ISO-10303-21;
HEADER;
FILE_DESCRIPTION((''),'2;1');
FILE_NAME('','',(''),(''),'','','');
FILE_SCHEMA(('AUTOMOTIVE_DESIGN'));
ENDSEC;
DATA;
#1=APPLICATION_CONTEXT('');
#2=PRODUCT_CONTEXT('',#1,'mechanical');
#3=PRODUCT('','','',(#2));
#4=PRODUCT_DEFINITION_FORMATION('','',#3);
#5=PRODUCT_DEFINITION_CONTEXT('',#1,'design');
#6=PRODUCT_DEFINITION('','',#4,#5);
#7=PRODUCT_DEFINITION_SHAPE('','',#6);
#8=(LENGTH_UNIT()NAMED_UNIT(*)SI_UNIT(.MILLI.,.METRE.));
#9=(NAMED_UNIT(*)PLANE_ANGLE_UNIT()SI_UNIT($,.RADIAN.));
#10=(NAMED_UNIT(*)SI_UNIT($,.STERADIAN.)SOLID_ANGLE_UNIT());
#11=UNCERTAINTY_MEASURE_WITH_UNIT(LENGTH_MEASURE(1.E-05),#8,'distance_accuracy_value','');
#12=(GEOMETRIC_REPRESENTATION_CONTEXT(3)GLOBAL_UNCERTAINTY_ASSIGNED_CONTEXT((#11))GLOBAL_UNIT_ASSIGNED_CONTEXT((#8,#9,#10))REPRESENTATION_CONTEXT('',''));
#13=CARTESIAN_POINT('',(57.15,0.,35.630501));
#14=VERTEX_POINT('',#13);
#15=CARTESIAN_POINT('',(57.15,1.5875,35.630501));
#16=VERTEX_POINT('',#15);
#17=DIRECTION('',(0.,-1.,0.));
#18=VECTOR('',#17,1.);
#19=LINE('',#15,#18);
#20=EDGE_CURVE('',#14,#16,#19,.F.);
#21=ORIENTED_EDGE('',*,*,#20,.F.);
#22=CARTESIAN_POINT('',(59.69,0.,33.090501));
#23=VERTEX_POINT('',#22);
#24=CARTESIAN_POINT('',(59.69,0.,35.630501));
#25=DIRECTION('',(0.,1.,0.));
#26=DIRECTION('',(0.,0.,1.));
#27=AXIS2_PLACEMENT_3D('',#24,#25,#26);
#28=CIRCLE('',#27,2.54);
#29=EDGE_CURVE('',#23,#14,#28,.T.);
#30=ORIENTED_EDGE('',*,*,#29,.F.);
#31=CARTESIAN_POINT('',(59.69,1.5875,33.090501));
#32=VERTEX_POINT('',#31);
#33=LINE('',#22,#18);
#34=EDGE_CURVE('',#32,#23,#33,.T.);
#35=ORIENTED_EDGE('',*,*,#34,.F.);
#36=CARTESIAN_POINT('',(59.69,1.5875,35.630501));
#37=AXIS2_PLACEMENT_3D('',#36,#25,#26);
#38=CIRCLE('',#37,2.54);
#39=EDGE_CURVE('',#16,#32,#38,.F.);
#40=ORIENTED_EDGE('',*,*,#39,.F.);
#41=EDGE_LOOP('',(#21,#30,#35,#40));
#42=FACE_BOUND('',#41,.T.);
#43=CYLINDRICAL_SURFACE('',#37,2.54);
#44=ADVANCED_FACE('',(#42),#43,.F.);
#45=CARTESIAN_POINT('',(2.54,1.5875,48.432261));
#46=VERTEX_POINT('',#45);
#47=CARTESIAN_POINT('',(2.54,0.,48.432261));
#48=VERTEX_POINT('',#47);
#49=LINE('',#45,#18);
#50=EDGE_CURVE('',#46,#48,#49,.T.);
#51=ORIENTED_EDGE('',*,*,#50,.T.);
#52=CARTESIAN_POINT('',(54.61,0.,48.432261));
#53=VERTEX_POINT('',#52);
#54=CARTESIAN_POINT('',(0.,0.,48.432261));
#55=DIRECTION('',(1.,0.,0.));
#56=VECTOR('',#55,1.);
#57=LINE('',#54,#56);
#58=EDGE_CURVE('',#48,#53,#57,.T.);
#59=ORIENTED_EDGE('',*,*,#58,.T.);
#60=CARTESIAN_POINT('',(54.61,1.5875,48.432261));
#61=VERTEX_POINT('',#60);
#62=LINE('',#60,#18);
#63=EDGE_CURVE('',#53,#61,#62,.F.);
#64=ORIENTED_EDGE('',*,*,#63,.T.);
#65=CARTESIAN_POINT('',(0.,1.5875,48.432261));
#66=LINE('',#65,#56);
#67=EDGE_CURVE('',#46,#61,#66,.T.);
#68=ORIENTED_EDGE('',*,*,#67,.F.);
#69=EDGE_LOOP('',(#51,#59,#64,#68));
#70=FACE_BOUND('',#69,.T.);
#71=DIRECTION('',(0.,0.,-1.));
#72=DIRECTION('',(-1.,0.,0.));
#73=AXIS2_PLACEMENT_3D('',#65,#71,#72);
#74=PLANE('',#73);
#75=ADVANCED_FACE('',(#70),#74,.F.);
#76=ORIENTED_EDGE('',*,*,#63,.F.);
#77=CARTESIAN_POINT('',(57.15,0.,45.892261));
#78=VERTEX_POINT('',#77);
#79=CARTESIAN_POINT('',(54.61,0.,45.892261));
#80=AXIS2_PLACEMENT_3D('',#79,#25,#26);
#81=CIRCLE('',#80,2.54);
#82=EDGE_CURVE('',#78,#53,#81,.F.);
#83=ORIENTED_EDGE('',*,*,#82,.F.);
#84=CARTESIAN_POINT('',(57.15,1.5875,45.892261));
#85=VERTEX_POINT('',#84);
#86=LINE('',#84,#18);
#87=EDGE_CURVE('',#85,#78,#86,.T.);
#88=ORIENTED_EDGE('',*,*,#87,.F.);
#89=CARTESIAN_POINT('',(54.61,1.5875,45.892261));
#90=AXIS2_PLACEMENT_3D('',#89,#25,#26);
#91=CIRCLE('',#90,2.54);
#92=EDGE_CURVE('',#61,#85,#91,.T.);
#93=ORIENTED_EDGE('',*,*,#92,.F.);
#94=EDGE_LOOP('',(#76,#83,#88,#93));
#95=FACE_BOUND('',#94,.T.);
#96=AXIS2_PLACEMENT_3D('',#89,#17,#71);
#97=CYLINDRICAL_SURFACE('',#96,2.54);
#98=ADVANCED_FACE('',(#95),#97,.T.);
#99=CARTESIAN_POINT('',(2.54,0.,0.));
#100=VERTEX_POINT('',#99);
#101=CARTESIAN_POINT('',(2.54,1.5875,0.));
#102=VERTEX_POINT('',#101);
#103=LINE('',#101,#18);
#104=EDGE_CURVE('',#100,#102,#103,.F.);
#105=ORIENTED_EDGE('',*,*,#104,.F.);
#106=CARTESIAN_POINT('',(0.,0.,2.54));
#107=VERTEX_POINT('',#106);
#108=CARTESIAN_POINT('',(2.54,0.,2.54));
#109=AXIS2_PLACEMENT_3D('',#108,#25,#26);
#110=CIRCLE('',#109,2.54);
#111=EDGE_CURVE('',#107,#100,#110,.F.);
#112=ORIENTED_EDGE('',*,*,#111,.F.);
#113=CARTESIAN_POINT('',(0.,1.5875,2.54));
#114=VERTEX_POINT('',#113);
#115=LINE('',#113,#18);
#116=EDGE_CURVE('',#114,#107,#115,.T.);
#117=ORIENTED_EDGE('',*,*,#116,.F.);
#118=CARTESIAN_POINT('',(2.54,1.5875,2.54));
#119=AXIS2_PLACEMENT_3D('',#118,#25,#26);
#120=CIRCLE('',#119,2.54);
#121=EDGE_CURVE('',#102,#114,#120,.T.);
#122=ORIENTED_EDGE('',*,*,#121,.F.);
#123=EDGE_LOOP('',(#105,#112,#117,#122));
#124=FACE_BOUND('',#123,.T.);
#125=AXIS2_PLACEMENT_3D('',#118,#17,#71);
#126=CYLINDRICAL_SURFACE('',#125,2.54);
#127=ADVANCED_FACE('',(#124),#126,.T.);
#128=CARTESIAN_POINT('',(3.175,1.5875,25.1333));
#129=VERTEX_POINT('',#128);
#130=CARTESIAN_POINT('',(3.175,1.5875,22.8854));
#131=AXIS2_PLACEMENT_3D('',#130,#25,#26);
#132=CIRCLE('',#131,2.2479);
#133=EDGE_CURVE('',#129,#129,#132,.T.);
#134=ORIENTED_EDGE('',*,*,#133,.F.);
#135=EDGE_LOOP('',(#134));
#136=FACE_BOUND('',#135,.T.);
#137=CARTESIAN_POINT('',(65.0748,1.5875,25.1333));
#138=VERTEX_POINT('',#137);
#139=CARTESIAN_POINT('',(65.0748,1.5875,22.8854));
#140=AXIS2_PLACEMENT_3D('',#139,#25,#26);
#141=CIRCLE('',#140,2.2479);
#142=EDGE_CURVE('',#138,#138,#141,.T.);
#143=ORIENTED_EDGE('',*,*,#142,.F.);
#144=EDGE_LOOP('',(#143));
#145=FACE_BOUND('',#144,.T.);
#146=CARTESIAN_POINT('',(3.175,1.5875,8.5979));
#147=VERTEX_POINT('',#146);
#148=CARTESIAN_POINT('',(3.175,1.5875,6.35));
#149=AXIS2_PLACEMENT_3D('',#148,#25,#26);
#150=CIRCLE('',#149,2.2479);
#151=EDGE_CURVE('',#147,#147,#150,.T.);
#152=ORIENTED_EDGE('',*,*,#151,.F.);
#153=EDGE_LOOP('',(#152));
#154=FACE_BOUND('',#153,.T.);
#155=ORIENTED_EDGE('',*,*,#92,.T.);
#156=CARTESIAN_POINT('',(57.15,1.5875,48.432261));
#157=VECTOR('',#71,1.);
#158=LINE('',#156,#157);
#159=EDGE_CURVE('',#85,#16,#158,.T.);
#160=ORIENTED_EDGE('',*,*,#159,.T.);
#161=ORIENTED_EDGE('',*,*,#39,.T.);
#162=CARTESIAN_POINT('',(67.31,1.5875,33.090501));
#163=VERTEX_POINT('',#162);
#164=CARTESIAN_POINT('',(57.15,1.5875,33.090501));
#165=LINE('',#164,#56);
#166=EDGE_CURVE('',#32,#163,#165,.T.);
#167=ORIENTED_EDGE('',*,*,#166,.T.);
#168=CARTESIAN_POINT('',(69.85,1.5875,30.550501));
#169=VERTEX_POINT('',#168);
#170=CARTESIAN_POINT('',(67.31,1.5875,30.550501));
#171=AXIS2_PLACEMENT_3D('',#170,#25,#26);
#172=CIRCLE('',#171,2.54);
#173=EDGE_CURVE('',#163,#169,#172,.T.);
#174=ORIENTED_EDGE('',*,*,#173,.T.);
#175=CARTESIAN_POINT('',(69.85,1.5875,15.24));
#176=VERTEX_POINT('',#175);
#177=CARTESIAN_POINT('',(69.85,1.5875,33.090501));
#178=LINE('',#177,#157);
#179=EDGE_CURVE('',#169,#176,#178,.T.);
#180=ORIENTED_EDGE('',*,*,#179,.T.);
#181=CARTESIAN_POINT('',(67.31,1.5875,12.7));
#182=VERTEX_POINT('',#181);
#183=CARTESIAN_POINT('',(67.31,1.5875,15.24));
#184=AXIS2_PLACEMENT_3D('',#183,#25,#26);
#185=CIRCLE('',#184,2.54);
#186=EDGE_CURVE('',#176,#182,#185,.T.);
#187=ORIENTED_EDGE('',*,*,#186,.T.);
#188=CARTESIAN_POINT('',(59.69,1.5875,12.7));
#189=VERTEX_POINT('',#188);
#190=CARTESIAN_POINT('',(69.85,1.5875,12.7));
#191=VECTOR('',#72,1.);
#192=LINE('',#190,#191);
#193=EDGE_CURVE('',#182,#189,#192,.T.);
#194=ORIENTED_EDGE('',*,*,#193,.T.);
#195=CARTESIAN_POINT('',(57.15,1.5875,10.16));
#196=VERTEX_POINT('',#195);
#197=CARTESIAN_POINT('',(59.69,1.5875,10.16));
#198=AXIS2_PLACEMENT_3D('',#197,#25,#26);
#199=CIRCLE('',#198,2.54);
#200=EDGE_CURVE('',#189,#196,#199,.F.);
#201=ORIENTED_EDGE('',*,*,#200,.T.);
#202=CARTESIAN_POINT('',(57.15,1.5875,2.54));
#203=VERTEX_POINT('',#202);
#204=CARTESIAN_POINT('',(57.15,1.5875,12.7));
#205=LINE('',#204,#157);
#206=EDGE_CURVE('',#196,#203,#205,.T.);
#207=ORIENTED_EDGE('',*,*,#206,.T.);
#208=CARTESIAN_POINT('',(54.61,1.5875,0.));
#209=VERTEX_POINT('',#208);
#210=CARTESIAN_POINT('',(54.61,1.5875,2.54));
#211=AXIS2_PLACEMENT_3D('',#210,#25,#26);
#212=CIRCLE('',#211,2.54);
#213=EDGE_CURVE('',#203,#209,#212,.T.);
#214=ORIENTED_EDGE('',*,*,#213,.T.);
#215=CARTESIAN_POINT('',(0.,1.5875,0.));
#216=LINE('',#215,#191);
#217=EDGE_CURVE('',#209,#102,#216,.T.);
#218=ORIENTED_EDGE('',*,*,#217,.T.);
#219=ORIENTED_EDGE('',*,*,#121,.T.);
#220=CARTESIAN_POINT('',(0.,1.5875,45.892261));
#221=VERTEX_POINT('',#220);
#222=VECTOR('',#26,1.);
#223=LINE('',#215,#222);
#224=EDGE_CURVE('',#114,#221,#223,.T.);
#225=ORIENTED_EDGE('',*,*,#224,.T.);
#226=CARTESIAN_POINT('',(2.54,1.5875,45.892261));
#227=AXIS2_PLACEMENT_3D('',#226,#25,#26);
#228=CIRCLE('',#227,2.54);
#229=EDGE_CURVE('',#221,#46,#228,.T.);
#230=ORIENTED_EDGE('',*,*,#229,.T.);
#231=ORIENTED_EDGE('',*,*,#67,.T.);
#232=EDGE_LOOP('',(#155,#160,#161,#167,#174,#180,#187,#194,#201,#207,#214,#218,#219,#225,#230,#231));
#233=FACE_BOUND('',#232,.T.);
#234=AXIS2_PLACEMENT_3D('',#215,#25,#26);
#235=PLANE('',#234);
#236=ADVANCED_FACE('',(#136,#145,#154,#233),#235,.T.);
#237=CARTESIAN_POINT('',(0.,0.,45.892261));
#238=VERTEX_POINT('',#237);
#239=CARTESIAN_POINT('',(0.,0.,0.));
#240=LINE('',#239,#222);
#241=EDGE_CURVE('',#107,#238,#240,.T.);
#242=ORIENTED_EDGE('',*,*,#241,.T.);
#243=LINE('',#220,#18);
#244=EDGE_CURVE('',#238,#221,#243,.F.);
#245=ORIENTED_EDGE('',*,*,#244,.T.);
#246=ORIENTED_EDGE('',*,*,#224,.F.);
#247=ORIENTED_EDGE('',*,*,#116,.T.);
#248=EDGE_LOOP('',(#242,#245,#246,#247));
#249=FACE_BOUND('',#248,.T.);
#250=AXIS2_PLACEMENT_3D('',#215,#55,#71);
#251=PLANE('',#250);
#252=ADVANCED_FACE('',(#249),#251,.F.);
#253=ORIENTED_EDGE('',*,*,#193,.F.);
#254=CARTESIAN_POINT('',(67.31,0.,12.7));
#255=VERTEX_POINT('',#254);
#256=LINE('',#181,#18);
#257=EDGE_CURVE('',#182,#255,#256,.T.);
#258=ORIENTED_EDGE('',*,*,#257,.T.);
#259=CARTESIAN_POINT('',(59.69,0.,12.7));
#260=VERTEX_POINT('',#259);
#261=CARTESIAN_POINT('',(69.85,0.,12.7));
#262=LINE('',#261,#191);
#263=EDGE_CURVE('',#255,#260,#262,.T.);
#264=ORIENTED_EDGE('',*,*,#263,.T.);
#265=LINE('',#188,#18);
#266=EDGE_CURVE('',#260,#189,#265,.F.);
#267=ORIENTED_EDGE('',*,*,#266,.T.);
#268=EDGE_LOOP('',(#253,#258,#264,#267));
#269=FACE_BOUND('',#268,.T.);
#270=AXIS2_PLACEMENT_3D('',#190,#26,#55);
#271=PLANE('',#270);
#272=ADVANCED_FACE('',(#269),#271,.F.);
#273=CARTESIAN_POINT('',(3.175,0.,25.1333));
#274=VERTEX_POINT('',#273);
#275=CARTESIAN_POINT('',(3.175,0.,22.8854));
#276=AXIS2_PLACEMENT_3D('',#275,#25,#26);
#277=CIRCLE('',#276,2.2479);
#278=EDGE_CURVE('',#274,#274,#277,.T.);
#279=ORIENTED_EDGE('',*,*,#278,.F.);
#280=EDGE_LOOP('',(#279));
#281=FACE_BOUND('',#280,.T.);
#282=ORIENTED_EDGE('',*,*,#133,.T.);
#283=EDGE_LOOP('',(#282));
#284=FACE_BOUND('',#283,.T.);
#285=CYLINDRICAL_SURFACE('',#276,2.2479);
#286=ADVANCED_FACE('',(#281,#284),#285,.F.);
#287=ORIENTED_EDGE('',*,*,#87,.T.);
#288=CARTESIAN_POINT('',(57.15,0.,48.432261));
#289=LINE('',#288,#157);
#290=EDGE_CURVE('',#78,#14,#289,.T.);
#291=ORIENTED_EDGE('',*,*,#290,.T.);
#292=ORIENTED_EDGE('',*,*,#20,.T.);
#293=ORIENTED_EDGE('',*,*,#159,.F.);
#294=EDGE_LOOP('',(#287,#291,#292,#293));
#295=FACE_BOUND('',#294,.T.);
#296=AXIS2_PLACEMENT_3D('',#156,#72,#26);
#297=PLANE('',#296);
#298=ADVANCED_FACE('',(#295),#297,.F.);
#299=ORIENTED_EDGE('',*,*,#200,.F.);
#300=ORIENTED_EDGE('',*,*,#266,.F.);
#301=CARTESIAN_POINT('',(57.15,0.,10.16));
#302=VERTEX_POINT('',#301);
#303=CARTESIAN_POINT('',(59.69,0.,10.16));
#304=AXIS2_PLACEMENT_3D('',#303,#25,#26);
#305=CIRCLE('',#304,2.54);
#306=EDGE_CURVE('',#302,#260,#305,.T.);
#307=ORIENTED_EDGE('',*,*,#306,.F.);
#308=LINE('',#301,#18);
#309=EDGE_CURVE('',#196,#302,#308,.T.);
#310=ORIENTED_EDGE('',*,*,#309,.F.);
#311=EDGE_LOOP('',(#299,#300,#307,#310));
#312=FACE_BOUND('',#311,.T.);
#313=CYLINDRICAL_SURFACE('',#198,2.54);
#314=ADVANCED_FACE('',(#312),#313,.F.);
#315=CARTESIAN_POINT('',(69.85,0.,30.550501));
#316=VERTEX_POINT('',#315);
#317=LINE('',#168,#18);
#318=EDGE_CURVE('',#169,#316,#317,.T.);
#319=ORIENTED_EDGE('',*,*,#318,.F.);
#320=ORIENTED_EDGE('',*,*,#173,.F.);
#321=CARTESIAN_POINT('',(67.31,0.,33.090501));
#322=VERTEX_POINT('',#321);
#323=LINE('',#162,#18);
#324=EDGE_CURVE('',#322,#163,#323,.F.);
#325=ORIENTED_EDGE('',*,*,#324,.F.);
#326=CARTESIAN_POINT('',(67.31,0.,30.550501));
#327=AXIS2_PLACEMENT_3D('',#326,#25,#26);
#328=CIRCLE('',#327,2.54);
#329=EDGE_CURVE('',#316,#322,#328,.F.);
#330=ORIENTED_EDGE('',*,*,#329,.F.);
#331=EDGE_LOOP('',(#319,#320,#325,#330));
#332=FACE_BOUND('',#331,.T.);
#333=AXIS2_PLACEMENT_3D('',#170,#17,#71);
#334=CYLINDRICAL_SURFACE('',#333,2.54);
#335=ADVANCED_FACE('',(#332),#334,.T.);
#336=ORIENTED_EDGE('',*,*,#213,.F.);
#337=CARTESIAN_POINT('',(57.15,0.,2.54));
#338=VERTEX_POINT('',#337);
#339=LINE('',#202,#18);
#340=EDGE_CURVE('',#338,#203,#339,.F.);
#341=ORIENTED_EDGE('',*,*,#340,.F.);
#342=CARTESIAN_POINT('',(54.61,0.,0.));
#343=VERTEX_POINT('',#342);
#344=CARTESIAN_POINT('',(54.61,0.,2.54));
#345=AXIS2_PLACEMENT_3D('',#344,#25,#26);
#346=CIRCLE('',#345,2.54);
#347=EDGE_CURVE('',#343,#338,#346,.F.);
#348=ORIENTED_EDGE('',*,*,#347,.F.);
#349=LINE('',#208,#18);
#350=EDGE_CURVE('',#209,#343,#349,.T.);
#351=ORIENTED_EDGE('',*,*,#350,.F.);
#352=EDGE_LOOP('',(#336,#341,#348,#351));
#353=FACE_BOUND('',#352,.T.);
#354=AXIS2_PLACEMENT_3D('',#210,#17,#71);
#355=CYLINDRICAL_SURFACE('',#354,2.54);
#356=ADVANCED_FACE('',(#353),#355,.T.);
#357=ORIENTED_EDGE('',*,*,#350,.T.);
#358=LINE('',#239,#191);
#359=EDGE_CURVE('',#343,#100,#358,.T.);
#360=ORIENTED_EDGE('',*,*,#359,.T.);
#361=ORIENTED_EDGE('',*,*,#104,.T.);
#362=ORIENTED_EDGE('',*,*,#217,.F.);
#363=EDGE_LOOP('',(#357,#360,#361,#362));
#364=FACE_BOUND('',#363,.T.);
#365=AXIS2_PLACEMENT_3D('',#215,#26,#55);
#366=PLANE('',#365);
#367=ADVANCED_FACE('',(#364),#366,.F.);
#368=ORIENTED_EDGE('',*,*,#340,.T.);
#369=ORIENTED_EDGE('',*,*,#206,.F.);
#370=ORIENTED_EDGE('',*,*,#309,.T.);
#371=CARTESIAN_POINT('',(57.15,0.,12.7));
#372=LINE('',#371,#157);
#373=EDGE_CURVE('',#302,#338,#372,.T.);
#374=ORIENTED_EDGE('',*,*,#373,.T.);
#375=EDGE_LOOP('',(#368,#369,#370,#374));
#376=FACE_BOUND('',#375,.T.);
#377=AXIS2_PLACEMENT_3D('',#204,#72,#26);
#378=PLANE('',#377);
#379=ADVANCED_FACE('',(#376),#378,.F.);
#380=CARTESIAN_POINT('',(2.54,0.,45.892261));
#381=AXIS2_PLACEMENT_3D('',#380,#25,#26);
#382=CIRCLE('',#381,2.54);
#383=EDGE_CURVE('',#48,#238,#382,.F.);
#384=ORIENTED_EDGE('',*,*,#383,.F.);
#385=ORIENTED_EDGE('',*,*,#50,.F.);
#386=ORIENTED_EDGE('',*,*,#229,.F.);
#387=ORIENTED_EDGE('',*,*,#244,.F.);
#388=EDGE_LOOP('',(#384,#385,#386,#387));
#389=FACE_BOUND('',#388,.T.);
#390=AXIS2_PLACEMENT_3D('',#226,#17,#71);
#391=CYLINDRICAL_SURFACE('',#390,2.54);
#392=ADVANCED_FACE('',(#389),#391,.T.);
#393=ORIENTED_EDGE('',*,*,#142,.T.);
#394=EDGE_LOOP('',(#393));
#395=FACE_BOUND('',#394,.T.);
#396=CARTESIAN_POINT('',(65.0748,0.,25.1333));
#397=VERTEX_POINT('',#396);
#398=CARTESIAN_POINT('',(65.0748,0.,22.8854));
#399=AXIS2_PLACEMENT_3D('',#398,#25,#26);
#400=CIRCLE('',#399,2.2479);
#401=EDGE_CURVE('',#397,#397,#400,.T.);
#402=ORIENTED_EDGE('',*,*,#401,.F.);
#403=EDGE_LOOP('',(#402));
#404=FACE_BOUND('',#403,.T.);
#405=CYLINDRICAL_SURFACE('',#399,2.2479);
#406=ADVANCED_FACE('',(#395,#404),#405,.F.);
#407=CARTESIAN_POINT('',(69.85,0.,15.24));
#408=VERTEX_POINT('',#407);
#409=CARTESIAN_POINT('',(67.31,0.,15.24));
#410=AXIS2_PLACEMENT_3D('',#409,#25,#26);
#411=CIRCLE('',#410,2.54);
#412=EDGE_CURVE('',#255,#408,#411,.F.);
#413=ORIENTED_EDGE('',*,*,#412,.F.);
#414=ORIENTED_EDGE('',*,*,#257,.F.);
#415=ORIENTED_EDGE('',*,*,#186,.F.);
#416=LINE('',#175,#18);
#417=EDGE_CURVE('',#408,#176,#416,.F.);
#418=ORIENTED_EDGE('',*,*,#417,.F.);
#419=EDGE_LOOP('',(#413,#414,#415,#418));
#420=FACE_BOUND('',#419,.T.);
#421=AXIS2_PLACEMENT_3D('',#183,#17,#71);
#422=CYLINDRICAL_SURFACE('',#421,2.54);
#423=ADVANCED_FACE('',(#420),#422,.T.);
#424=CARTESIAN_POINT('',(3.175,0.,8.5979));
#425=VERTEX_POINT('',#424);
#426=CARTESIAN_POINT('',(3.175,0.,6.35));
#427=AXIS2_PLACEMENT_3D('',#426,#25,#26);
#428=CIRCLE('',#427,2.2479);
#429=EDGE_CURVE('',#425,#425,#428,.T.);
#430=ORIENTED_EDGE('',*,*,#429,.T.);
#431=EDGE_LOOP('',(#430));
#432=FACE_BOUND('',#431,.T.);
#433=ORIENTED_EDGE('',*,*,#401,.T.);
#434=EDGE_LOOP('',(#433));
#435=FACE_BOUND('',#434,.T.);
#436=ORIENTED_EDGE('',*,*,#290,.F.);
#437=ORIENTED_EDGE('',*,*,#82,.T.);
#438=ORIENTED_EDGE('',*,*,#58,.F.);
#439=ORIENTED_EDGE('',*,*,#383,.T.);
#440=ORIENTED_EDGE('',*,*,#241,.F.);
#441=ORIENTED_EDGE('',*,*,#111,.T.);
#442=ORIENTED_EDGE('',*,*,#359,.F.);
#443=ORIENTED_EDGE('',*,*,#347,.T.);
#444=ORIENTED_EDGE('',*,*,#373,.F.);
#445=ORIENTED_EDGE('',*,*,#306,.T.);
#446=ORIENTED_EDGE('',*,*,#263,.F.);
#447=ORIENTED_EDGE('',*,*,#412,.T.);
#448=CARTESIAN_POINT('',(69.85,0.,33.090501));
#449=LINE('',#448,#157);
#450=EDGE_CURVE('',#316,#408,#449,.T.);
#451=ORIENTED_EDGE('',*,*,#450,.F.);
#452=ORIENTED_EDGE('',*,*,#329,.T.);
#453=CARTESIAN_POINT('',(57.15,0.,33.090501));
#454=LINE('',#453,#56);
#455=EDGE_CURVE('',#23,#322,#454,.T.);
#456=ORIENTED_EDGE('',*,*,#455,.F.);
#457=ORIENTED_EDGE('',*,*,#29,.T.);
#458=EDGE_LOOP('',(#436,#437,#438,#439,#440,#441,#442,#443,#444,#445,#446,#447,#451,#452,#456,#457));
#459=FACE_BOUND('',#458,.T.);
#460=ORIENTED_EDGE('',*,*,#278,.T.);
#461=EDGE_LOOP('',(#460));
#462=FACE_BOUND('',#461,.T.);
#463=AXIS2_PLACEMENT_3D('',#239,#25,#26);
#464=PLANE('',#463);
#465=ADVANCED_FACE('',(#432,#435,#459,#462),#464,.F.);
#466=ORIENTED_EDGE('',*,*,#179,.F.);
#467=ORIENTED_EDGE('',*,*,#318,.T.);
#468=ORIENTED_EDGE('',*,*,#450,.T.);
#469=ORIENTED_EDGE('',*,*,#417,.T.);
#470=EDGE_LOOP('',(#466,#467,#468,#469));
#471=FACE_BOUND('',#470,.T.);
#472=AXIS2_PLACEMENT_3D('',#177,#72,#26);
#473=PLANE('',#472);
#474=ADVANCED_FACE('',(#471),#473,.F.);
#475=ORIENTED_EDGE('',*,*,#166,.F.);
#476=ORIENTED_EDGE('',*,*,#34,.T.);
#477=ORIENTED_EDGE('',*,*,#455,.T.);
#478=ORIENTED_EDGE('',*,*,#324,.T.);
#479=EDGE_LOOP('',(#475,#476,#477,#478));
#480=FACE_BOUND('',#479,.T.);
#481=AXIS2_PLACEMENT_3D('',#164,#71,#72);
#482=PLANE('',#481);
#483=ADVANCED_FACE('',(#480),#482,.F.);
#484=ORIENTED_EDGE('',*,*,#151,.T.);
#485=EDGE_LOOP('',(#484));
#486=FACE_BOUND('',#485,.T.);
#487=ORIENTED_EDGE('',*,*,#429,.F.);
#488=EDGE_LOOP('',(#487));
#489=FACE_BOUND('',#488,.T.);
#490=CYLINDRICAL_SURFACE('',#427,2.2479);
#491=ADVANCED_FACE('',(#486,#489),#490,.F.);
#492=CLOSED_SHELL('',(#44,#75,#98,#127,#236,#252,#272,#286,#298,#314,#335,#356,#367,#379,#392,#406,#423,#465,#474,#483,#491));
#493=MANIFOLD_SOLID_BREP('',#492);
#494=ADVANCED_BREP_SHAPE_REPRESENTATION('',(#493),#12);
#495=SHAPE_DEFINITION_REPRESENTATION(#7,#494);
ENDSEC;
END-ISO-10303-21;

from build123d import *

# Parameters (mm, degrees)
BOSS_EXTRUDE1_DEPTH = 1.5875
FILLET1_R           = 2.54
SKETCH2_R           = 2.2479
CUT_EXTRUDE1_DEPTH  = 2.5875


with BuildPart() as part:
    # Sketch1 → Boss-Extrude1 (new body)
    with BuildSketch(Plane(origin=(0, 0, 0), x_dir=(1, 0, 0), z_dir=(0, 1, 0))):
        Polygon((0, 0), (0, -48.432260883), (57.15, -48.432260883), (57.15, -33.090501198), (69.85, -33.090501198), (69.85, -12.7), (57.15, -12.7), (57.15, 0), align=None)
    extrude(amount=BOSS_EXTRUDE1_DEPTH)

    # Fillet1
    fillet1_edges = [part.edges().sort_by_distance(p)[0] for p in [
        (57.15, 0.79375, 0),
        (57.15, 0.79375, 12.7),
        (69.85, 0.79375, 12.7),
        (69.85, 0.79375, 33.090501198),
        (57.15, 0.79375, 33.090501198),
        (57.15, 0.79375, 48.432260883),
        (0, 0.79375, 48.432260883),
        (0, 0.79375, 0),
    ]]
    fillet(fillet1_edges, radius=FILLET1_R)

    # Sketch2 → Cut-Extrude1 (cut, through all)
    with BuildSketch(Plane(origin=(0, 1.5875, 0), x_dir=(1, 0, 0), z_dir=(0, 1, 0))):
        with Locations((3.175, -6.35)):
            Circle(SKETCH2_R)
        with Locations((3.175, -22.8854)):
            Circle(SKETCH2_R)
        with Locations((65.0748, -22.8854)):
            Circle(SKETCH2_R)
    extrude(amount=-CUT_EXTRUDE1_DEPTH, mode=Mode.SUBTRACT)


solid = part.part
